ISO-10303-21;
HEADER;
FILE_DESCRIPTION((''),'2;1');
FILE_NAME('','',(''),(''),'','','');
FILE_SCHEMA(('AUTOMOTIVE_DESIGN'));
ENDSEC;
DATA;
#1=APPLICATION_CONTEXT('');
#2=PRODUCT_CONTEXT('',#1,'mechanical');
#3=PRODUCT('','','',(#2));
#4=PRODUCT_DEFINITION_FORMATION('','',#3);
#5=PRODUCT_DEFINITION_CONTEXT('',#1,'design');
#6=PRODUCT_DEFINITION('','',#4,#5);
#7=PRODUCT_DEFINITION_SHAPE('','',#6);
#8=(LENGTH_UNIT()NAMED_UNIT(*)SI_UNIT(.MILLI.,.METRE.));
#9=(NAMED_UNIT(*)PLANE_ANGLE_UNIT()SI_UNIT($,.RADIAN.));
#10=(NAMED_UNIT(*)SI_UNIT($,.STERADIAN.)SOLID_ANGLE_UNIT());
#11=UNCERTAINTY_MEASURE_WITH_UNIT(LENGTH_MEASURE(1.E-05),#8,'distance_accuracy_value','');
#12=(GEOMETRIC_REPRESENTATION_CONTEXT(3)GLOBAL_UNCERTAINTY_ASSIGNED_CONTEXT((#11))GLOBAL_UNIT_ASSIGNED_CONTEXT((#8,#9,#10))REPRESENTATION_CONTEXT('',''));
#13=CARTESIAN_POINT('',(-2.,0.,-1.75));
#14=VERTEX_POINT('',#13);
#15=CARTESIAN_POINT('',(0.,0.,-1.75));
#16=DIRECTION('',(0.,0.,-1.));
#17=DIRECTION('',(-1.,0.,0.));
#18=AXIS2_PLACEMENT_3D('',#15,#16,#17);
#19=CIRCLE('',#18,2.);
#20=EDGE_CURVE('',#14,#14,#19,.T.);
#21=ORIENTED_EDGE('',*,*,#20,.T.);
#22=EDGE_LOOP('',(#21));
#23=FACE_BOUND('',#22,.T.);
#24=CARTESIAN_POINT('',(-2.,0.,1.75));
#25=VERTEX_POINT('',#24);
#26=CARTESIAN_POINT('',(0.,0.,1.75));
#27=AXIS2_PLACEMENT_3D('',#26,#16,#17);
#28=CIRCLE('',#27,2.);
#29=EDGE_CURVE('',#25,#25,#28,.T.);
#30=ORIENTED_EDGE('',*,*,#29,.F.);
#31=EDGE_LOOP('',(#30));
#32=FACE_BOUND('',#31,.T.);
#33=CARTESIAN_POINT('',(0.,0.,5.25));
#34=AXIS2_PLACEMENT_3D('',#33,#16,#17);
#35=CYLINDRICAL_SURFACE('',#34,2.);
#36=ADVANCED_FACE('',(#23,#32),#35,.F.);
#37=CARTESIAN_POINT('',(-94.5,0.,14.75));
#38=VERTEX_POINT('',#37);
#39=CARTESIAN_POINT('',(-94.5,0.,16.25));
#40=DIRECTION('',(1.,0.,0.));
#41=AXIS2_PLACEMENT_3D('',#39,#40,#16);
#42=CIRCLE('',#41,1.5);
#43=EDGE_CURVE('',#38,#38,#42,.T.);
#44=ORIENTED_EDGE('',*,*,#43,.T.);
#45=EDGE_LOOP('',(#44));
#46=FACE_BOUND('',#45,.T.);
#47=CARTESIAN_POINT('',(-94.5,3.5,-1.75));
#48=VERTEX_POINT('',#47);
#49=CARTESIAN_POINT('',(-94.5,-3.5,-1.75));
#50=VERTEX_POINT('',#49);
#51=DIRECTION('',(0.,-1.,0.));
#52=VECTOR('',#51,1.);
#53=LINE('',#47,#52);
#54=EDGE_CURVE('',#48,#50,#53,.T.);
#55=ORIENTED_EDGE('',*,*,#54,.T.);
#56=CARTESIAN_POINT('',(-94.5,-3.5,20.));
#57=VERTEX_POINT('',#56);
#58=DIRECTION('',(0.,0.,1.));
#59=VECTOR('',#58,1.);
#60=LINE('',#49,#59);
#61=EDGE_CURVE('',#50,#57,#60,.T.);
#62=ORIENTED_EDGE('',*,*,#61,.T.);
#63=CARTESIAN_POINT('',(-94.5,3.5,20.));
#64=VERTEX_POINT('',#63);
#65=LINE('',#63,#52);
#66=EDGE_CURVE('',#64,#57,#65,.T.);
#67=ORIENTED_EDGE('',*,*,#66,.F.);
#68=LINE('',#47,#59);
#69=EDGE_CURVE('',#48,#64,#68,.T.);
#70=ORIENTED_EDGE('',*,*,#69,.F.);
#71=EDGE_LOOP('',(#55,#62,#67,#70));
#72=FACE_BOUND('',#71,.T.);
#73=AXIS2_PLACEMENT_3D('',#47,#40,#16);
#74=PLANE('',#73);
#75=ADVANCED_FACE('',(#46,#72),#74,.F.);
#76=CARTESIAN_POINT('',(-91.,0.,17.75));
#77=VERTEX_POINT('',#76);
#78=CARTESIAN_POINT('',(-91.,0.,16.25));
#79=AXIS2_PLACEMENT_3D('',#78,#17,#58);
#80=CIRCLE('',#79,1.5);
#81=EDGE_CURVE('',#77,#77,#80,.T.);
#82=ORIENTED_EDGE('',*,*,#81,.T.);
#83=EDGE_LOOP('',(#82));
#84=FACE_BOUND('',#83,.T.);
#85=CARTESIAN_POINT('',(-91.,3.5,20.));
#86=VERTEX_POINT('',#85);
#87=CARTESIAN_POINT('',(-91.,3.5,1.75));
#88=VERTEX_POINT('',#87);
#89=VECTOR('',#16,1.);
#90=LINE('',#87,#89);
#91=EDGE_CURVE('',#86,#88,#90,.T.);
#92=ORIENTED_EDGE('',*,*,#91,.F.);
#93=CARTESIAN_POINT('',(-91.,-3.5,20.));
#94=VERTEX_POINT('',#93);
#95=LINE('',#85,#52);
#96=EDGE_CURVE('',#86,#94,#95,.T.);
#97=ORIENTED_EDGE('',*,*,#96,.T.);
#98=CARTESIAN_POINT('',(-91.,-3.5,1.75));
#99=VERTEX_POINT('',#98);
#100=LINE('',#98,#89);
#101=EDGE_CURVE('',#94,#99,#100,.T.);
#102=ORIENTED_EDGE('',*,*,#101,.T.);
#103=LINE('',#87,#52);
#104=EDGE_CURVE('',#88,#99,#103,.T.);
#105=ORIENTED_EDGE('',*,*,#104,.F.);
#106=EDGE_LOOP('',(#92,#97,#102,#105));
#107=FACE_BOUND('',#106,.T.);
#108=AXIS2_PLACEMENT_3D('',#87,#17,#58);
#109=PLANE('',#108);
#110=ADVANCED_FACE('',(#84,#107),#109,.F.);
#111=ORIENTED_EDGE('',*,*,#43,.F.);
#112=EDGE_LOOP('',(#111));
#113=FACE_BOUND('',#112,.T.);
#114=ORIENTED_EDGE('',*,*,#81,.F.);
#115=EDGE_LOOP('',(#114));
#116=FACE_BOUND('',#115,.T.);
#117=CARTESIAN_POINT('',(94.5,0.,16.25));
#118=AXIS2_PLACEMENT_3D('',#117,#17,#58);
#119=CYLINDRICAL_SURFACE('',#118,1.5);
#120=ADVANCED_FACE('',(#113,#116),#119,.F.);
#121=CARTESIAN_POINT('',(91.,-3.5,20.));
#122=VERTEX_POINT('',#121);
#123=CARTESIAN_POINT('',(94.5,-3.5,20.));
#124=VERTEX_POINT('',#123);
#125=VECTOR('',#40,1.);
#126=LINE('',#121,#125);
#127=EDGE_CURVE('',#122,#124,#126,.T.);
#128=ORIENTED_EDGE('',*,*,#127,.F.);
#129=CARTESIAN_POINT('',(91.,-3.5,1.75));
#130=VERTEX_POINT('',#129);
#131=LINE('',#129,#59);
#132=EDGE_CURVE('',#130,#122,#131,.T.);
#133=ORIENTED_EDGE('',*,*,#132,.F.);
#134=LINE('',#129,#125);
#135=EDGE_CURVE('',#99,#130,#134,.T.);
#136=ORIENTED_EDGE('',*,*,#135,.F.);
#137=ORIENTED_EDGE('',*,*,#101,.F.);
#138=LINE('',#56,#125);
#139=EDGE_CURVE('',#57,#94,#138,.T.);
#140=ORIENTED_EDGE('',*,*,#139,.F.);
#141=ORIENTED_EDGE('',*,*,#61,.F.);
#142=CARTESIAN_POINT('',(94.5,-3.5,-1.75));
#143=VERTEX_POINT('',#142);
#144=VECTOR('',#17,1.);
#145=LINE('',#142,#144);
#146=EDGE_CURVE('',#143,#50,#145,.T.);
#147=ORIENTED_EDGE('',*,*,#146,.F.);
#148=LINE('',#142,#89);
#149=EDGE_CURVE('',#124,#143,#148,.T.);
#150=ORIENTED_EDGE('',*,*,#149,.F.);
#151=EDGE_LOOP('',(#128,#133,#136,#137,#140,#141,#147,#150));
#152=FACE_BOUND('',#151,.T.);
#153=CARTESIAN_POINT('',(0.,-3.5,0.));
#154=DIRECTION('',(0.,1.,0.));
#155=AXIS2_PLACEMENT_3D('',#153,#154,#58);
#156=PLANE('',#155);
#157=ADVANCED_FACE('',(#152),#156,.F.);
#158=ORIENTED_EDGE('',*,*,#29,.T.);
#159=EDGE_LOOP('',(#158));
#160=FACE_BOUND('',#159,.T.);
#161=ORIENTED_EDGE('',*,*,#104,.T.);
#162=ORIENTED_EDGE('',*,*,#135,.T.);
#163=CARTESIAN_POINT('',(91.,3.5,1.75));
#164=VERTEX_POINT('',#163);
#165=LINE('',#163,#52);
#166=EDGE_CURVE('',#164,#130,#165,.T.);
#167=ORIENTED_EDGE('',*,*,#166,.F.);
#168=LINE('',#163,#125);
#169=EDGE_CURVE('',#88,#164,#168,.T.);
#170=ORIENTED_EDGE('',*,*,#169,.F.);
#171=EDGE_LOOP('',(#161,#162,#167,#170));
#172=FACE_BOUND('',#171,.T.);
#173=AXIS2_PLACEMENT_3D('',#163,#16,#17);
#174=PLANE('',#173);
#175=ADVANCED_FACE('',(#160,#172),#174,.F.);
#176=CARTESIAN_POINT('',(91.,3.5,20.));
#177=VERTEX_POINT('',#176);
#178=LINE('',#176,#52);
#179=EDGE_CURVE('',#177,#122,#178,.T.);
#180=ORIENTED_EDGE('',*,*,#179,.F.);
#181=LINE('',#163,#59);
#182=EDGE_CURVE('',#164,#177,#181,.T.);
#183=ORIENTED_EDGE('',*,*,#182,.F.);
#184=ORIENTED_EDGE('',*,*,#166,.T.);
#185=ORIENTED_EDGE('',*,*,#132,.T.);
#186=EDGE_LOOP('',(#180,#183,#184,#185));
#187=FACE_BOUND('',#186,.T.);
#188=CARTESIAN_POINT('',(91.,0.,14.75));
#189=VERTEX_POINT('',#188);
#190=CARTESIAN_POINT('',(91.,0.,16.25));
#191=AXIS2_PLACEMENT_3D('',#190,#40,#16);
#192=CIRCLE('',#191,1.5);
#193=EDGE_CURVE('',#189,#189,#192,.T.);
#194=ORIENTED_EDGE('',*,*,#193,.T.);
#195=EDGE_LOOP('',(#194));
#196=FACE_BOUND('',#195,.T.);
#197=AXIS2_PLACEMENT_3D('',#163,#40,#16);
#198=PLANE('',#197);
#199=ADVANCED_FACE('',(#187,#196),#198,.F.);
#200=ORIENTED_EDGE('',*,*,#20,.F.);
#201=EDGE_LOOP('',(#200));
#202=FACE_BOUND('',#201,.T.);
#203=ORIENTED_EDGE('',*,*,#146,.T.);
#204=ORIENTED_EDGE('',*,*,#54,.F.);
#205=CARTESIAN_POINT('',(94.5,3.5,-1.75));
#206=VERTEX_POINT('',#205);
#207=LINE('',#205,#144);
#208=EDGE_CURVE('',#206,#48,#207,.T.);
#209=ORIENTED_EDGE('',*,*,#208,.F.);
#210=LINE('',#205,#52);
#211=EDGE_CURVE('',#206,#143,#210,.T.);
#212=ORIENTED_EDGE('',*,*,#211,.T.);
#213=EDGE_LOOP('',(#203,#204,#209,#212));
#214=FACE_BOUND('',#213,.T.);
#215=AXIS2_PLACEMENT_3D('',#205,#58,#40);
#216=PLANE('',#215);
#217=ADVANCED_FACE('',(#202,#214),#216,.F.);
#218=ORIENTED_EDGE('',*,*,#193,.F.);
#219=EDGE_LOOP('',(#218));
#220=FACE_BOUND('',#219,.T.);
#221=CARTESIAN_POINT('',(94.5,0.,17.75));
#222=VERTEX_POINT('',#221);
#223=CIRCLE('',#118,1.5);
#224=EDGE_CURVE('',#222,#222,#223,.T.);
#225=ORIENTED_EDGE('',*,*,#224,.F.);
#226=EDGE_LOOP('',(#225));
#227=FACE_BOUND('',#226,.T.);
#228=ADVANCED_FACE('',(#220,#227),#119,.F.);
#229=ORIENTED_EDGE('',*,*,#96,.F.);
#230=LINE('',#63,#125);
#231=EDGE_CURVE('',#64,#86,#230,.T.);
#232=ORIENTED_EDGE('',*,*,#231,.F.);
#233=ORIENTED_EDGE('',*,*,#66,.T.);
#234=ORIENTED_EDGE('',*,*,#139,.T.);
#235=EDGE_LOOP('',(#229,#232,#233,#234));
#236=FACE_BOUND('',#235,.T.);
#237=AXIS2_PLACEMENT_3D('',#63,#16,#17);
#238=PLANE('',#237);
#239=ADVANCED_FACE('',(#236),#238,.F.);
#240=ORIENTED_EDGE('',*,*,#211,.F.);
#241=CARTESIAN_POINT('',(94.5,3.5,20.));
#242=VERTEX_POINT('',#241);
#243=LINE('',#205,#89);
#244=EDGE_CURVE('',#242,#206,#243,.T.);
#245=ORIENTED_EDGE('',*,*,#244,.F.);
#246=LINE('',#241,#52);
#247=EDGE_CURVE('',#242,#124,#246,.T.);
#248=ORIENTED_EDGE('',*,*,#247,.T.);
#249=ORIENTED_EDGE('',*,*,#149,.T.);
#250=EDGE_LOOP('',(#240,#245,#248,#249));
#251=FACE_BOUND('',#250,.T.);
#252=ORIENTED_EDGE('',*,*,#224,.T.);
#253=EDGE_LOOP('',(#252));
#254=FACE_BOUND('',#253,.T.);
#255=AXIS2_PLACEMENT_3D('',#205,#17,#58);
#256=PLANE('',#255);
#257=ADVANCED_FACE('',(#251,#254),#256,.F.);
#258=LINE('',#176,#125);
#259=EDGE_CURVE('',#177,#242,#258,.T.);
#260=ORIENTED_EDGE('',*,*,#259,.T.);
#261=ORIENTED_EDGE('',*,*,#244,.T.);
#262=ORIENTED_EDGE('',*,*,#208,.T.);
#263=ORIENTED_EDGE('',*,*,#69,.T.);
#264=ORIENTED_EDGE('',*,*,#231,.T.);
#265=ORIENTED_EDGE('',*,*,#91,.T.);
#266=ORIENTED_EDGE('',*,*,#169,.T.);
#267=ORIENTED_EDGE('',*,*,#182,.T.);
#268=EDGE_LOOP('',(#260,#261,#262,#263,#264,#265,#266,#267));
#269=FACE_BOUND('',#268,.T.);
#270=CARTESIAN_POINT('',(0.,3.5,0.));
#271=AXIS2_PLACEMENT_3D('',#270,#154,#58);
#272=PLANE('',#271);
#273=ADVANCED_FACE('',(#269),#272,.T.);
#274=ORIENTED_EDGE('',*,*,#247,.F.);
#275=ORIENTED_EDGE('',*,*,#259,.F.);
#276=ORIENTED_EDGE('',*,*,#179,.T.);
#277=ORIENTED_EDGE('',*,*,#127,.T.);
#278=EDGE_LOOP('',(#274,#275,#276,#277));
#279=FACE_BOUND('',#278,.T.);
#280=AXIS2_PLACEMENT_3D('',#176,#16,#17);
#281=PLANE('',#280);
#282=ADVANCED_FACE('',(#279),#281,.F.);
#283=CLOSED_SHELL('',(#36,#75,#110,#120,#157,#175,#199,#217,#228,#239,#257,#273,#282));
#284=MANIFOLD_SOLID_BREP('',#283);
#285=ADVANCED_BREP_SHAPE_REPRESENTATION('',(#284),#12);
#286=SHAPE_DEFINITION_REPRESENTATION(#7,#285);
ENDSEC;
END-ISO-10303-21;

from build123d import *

# Parameters (mm, degrees)
BOSS_EXTRUDE1_DEPTH     = 3.5
SKETCH3_R               = 2
CUT_EXTRUDE1_DEPTH      = 7
SKETCH4_R               = 1.5
CUT_EXTRUDE2_DEPTH      = 1
CUT_EXTRUDE2_DEPTH_BACK = 190


with BuildPart() as part:
    # Sketch1 → Boss-Extrude1 (new body, symmetric)
    with BuildSketch(Plane(origin=(0, 0, 0), x_dir=(1, 0, 0), z_dir=(0, 1, 0))):
        Polygon((94.5, 1.75), (94.5, -20), (91, -20), (91, -1.75), (-91, -1.75), (-91, -20), (-94.5, -20), (-94.5, 1.75), align=None)
    extrude(amount=BOSS_EXTRUDE1_DEPTH, both=True)

    # Sketch3 → Cut-Extrude1 (cut)
    with BuildSketch(Plane(origin=(0, 0, -1.75), x_dir=(-1, 0, 0), z_dir=(0, 0, -1))):
        Circle(SKETCH3_R)
    extrude(amount=-CUT_EXTRUDE1_DEPTH, mode=Mode.SUBTRACT)

    # Sketch4 → Cut-Extrude2 (cut, two sides)
    with BuildSketch(Plane.ZY.offset(94.5)) as cut_extrude2_sk:
        with Locations((16.25, 0)):
            Circle(SKETCH4_R)
    extrude(amount=CUT_EXTRUDE2_DEPTH, mode=Mode.SUBTRACT)
    extrude(cut_extrude2_sk.sketch, amount=-CUT_EXTRUDE2_DEPTH_BACK, mode=Mode.SUBTRACT)


solid = part.part
